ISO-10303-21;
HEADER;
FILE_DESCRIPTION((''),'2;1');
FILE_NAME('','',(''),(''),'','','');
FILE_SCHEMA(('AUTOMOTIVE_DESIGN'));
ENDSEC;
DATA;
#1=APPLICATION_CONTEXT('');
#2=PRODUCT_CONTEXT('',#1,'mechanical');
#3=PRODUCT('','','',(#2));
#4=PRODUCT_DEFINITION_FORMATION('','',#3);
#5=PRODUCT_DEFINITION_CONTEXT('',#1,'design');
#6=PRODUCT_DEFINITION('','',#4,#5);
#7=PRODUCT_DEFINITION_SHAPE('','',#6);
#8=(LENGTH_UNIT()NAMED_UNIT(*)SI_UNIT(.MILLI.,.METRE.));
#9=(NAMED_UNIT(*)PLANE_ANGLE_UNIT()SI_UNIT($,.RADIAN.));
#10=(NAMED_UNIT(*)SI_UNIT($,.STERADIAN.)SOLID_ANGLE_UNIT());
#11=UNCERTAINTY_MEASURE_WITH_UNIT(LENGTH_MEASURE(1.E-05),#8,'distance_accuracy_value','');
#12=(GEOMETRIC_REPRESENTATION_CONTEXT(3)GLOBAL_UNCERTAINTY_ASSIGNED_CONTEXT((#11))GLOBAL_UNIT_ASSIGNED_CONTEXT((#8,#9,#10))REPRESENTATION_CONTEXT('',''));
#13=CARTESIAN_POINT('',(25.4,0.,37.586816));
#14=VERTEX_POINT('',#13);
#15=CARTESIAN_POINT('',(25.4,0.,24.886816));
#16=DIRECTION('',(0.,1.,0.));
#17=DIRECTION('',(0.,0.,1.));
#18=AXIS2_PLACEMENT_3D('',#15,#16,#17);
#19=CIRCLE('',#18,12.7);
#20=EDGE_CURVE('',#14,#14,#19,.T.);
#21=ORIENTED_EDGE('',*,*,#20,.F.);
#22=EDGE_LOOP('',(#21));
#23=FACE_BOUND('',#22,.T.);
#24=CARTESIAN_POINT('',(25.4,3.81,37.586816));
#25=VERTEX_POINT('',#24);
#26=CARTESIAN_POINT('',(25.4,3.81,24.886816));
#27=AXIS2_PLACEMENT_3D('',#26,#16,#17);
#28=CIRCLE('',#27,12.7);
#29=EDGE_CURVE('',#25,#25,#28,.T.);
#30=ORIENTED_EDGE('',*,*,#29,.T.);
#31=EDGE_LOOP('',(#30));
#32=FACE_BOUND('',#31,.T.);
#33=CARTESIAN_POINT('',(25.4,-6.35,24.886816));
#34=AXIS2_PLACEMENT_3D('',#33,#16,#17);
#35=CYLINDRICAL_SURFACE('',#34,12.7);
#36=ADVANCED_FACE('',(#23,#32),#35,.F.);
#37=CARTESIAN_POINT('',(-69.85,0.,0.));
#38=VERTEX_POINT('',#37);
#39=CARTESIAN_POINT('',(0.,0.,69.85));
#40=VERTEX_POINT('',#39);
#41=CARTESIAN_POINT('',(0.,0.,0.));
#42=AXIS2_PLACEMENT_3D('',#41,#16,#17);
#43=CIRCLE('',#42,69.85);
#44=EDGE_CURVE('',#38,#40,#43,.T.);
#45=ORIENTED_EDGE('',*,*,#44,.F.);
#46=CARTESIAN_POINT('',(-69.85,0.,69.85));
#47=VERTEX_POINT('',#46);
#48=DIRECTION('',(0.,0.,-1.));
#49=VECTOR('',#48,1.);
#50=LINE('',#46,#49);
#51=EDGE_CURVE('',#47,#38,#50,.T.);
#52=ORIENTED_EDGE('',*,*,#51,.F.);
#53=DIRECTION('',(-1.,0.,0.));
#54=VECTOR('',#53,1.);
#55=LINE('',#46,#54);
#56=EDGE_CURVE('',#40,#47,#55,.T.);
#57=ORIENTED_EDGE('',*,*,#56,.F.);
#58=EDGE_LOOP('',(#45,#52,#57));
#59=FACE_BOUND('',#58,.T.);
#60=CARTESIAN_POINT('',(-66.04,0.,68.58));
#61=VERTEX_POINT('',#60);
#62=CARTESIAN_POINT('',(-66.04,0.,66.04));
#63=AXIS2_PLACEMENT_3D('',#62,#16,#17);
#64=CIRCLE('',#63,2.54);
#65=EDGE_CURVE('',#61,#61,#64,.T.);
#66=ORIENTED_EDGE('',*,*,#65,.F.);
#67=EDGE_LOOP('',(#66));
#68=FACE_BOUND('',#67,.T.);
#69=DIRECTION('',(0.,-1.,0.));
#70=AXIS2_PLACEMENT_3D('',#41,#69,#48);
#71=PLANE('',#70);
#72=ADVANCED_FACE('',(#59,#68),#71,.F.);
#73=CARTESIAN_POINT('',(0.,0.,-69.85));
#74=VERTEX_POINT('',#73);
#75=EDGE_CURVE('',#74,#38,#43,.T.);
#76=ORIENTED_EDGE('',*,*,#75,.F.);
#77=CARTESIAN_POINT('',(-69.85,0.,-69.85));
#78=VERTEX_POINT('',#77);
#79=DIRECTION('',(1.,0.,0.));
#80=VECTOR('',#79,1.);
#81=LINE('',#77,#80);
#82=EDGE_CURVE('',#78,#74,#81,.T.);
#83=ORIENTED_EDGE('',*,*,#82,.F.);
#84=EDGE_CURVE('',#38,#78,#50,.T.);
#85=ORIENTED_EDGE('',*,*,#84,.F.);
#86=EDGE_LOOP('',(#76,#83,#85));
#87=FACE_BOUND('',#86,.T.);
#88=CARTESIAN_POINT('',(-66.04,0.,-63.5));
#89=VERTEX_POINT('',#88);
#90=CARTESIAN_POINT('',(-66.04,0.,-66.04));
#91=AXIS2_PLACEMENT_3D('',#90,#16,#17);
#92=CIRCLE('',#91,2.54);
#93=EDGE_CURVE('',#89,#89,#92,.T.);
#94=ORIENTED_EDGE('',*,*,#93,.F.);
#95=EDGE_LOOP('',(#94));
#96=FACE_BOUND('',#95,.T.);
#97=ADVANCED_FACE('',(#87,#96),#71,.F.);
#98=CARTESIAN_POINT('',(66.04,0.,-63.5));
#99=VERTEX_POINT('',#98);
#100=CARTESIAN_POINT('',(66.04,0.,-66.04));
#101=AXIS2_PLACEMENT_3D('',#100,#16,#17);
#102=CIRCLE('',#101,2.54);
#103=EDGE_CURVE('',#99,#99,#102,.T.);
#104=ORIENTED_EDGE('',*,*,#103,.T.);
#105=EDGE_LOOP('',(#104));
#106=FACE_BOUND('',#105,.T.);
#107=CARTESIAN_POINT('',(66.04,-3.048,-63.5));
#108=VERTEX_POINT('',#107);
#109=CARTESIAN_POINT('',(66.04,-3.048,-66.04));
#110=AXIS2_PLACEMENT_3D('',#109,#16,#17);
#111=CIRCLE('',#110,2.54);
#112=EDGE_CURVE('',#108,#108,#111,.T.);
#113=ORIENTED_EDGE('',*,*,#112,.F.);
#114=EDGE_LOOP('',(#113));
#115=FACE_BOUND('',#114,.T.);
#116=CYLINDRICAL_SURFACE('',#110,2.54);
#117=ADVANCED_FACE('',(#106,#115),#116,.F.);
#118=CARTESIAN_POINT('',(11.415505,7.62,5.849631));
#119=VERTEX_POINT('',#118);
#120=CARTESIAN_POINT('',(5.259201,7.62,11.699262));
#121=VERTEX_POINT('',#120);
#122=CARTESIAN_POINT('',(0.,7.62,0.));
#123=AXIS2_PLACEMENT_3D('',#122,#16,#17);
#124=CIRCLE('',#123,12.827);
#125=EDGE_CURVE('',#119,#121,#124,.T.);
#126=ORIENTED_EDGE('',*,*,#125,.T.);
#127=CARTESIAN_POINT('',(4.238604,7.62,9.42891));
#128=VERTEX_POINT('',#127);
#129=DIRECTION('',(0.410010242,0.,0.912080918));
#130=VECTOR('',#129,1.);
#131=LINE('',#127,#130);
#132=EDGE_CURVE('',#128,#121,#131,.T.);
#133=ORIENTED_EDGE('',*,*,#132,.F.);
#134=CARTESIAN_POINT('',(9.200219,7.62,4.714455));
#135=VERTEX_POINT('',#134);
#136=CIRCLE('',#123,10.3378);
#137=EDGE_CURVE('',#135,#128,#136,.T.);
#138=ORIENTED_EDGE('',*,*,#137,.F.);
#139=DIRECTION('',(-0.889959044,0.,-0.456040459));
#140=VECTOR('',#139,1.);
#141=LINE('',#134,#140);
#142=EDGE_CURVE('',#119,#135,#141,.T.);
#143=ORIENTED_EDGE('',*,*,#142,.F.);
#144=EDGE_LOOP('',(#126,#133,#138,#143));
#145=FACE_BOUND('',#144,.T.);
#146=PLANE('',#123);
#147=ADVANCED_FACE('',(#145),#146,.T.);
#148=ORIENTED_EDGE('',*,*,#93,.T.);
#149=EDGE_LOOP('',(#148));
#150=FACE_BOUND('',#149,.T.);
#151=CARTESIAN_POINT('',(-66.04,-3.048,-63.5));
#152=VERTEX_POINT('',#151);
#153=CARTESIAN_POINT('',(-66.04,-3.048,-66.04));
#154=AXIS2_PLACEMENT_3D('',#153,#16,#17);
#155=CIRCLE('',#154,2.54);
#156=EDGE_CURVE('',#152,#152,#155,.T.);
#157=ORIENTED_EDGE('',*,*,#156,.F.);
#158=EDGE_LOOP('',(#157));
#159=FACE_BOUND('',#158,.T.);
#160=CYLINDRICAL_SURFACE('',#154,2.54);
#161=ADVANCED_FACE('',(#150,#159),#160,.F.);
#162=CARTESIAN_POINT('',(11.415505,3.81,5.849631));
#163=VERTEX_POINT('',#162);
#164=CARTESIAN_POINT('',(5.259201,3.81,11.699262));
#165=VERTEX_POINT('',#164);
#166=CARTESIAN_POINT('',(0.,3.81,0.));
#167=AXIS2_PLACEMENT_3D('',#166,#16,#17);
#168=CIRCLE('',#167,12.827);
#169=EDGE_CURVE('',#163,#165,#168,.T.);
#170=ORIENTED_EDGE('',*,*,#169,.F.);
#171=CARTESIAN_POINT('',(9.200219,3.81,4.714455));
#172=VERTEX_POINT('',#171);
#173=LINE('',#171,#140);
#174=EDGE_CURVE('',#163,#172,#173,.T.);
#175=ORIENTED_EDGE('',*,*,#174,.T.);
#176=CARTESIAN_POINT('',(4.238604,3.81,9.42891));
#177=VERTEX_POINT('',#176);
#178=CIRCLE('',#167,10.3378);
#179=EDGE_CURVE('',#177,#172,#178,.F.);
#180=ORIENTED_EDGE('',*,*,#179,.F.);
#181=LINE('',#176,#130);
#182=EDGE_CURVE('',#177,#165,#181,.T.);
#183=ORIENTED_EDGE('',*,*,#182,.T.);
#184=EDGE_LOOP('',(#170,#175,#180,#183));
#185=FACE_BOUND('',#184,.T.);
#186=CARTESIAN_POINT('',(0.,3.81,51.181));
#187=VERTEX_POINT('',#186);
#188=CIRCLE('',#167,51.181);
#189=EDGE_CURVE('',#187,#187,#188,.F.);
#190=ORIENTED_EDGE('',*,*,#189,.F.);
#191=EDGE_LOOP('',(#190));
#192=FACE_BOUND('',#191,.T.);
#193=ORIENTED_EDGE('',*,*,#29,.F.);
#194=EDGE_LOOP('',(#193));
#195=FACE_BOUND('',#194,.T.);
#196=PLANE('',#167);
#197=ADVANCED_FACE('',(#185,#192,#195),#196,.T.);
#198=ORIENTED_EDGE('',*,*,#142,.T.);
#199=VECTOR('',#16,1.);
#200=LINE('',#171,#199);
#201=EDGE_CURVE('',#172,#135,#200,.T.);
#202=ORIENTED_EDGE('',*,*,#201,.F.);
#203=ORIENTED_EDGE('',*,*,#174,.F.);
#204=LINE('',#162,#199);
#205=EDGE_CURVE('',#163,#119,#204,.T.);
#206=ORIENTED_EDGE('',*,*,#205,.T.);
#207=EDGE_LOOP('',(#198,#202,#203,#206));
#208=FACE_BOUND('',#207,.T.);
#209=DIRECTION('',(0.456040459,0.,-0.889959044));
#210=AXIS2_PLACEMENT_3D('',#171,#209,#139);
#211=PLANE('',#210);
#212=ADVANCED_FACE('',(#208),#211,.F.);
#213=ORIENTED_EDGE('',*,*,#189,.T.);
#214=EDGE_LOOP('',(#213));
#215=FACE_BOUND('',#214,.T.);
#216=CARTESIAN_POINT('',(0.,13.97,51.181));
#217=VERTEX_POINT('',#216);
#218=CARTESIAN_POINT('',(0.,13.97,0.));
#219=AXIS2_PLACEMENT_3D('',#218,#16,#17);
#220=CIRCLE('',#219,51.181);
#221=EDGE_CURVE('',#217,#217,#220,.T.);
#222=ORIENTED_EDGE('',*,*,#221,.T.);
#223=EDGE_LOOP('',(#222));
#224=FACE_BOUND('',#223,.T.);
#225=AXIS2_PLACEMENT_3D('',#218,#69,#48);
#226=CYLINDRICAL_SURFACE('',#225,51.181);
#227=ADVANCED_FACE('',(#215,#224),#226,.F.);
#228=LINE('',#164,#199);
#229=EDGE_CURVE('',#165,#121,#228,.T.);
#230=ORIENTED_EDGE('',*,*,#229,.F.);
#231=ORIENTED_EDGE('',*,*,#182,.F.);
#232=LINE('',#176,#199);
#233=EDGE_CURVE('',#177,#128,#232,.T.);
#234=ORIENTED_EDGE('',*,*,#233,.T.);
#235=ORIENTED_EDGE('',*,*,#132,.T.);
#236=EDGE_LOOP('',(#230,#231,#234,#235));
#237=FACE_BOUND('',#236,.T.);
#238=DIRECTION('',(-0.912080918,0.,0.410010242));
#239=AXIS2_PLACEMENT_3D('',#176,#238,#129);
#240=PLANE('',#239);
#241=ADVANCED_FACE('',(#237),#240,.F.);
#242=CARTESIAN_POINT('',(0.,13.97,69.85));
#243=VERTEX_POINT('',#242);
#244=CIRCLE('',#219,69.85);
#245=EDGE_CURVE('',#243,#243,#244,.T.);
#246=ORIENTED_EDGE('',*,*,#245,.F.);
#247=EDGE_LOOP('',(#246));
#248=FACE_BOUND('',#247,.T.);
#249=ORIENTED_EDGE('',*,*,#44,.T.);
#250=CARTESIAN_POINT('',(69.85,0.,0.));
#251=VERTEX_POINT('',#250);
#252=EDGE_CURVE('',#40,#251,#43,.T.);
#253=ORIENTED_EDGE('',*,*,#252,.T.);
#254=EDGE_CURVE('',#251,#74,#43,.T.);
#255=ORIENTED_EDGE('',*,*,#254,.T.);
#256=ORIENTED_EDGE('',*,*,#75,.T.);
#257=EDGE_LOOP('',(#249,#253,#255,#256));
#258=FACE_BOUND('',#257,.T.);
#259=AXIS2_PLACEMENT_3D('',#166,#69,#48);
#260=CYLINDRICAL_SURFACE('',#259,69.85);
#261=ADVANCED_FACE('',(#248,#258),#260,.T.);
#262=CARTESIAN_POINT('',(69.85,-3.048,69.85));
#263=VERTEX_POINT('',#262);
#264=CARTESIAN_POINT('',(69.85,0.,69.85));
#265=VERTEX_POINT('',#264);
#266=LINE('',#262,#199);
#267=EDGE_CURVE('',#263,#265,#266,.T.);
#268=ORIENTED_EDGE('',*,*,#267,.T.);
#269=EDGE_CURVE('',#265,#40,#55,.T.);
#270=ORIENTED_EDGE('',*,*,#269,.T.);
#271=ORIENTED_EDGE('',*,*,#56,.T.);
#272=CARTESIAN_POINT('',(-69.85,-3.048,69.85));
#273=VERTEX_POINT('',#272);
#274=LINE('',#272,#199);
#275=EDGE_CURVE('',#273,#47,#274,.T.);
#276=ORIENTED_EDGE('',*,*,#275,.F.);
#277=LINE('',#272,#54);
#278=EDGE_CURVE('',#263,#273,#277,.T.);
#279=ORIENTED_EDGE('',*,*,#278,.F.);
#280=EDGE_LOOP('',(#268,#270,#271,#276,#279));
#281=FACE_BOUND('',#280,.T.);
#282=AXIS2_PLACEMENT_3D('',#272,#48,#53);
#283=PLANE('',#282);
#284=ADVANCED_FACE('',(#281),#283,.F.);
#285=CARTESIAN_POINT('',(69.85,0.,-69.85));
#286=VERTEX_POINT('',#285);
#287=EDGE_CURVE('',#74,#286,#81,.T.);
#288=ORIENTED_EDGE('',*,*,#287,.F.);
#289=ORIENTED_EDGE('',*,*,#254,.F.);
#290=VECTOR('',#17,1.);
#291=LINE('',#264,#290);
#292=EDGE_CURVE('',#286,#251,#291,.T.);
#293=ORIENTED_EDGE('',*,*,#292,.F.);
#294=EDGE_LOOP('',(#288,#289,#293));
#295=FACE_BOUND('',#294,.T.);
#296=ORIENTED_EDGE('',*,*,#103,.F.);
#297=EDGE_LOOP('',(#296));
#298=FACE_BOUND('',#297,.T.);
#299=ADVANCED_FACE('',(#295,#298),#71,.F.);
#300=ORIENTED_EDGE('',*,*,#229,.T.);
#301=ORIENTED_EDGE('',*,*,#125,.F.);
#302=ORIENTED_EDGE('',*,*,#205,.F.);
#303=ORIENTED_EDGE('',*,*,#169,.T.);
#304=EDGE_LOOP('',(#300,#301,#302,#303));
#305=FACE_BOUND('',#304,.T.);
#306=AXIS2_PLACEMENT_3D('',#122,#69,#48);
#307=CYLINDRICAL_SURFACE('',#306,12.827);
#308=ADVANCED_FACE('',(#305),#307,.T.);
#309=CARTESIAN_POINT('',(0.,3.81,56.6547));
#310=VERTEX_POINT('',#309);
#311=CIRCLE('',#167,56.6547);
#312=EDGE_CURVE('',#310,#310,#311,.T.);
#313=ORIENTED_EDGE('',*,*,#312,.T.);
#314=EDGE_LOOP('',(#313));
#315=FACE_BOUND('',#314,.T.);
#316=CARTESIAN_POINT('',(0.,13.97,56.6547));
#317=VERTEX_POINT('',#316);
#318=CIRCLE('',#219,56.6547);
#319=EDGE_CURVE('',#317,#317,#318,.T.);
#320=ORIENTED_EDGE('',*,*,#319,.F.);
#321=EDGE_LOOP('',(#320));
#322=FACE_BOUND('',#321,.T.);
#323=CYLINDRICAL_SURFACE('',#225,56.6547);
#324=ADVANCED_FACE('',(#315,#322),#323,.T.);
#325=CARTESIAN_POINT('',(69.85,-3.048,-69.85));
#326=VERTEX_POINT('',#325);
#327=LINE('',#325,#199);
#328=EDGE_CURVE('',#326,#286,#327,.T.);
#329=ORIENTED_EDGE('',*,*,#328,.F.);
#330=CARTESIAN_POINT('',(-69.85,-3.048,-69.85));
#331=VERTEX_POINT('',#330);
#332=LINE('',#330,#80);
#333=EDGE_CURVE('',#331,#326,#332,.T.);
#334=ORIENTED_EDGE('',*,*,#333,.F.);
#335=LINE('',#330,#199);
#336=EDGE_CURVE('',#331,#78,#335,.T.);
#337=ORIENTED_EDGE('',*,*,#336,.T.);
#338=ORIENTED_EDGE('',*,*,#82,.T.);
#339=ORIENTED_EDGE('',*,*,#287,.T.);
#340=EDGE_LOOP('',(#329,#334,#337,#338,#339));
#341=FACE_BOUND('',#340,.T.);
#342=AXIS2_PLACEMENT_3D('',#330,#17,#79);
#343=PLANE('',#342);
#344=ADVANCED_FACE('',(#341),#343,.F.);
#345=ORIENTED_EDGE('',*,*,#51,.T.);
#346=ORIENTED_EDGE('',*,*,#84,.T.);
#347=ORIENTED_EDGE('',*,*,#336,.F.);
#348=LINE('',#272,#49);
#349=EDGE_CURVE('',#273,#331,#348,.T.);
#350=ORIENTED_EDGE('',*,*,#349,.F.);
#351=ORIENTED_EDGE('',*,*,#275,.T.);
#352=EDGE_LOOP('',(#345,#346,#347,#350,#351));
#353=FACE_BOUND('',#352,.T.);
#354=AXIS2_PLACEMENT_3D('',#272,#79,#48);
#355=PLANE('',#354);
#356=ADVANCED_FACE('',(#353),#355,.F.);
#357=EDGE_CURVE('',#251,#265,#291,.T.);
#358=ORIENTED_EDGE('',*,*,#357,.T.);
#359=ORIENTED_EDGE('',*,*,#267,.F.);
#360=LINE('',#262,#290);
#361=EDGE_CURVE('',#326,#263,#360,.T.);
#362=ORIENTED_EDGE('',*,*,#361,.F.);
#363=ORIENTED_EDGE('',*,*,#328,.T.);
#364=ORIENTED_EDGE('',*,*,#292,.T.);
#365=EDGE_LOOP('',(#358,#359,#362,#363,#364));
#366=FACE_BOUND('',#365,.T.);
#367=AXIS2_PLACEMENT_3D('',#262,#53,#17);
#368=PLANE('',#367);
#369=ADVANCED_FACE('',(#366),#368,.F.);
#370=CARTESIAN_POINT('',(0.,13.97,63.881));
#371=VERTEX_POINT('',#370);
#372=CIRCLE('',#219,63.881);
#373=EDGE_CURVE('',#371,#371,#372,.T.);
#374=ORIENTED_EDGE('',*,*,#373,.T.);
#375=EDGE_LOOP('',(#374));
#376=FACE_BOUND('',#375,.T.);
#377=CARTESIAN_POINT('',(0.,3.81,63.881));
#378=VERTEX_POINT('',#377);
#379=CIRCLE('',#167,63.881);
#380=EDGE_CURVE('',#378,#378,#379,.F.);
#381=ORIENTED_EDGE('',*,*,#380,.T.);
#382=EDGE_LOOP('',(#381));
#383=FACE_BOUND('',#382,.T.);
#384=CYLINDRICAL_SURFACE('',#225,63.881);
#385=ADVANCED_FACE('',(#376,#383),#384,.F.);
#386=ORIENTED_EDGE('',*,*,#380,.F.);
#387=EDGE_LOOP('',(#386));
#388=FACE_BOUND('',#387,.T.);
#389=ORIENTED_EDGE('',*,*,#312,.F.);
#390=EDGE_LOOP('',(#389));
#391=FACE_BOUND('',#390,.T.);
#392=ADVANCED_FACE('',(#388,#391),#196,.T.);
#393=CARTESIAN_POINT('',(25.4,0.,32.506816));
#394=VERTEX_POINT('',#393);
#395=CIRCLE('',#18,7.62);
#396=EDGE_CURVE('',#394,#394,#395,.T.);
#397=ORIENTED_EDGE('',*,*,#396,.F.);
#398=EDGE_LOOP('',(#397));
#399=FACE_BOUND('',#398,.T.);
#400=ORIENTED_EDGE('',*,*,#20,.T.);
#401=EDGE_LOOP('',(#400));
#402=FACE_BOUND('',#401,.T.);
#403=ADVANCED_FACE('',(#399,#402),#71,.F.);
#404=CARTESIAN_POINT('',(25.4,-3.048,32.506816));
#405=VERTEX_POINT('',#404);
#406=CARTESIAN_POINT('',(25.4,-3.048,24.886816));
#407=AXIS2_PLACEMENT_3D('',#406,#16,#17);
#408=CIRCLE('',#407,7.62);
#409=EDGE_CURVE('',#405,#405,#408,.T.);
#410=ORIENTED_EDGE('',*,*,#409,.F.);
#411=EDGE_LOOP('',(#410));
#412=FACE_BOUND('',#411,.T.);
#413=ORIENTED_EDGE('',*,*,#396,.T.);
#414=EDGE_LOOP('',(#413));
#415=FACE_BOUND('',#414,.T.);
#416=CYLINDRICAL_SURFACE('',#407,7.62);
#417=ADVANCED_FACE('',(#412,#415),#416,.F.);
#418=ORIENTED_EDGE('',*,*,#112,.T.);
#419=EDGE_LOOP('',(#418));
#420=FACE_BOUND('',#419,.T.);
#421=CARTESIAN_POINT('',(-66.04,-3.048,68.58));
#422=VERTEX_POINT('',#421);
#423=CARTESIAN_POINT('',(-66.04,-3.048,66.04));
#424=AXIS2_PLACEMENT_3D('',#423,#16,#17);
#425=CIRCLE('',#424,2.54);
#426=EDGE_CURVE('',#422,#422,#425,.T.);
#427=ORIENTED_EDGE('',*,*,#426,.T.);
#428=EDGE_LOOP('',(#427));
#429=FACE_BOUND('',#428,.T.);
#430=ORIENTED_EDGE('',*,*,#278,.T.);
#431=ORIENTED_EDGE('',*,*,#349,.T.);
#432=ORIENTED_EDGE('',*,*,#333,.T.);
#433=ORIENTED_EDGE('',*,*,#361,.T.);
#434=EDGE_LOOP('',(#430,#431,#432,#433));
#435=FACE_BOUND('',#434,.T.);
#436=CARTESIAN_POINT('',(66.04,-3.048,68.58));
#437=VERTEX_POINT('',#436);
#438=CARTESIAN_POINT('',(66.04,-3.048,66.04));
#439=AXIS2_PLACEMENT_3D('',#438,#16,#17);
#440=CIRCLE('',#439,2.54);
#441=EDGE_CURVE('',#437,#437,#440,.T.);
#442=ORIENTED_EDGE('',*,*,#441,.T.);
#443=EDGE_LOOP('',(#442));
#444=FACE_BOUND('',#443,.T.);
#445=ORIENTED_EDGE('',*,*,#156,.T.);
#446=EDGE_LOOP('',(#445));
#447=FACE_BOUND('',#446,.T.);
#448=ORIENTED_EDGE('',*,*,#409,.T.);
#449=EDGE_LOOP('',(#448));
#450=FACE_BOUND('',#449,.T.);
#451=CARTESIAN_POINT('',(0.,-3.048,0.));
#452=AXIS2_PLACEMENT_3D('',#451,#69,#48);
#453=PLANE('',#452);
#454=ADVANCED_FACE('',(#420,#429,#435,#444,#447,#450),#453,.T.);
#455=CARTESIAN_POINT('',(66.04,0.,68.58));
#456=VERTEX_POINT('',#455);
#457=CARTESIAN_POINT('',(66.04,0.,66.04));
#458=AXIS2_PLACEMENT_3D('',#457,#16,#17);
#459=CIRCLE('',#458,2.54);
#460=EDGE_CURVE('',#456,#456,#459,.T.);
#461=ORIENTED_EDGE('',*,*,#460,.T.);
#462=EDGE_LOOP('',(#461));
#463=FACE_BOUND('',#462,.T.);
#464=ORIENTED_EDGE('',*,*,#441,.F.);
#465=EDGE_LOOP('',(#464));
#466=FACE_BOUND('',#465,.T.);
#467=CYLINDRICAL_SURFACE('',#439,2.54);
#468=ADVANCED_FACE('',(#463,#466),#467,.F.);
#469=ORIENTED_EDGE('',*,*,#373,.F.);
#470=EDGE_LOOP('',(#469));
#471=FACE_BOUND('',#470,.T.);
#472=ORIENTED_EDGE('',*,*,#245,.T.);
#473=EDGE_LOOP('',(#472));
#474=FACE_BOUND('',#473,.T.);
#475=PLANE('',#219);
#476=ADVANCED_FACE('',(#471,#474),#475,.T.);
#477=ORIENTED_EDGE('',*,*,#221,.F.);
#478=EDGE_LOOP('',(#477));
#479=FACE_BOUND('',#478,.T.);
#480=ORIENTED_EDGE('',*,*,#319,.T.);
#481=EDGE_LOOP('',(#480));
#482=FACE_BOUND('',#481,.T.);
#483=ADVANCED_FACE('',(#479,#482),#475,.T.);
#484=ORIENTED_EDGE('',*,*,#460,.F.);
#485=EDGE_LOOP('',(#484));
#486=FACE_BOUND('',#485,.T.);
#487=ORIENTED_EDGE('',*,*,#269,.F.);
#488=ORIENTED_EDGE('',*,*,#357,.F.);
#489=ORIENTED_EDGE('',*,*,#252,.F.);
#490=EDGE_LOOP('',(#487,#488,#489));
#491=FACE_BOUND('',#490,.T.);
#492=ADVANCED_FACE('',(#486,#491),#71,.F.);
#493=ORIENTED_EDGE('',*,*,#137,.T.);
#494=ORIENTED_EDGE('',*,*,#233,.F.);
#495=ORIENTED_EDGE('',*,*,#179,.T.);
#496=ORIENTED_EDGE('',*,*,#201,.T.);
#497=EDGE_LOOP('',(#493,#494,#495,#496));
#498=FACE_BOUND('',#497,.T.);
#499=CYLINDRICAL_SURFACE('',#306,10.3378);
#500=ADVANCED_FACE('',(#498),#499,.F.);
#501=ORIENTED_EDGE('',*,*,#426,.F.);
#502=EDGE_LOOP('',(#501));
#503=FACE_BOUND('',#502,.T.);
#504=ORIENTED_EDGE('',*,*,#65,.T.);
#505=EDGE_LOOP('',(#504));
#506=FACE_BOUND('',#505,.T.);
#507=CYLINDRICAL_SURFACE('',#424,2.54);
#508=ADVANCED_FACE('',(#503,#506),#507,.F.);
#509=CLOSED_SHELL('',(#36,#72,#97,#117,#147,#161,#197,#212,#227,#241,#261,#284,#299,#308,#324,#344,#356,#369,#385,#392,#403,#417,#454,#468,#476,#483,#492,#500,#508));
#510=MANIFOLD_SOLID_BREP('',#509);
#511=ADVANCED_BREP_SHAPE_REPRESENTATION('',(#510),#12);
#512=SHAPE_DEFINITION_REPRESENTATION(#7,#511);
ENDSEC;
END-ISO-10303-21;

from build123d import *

# Parameters (mm, degrees)
SKETCH1_R           = 69.85
BOSS_EXTRUDE1_DEPTH = 3.81
SKETCH2_R           = 69.85
SKETCH2_R_2         = 63.881
SKETCH2_R_3         = 56.6547
SKETCH2_R_4         = 51.181
BOSS_EXTRUDE2_DEPTH = 10.16
SKETCH3_R           = 12.827
SKETCH3_R_2         = 10.3378
BOSS_EXTRUDE3_DEPTH = 3.81
CUT_EXTRUDE1_DEPTH  = 3.81
SKETCH5_R           = 12.7
CUT_EXTRUDE2_DEPTH  = 10.16
SKETCH6_W           = 139.7
SKETCH6_H           = 139.7
BOSS_EXTRUDE4_DEPTH = 3.048
SKETCH7_R           = 7.62
SKETCH7_R_2         = 2.54
CUT_EXTRUDE3_DEPTH  = 3.048


with BuildPart() as part:
    # Sketch1 → Boss-Extrude1 (new body)
    with BuildSketch(Plane(origin=(0, 0, 0), x_dir=(1, 0, 0), z_dir=(0, 1, 0))):
        Circle(SKETCH1_R)
    extrude(amount=BOSS_EXTRUDE1_DEPTH)

    # Sketch2 → Boss-Extrude2 (add)
    with BuildSketch(Plane(origin=(0, 3.81, 0), x_dir=(1, 0, 0), z_dir=(0, 1, 0))):
        Circle(SKETCH2_R)
        Circle(SKETCH2_R_2, mode=Mode.SUBTRACT)
        Circle(SKETCH2_R_3)
        Circle(SKETCH2_R_4, mode=Mode.SUBTRACT)
    extrude(amount=BOSS_EXTRUDE2_DEPTH)

    # Sketch3 → Boss-Extrude3 (add)
    with BuildSketch(Plane(origin=(0, 3.81, 0), x_dir=(1, 0, 0), z_dir=(0, 1, 0))):
        Circle(SKETCH3_R)
        Circle(SKETCH3_R_2, mode=Mode.SUBTRACT)
    extrude(amount=BOSS_EXTRUDE3_DEPTH)

    # Sketch4 → Cut-Extrude1 (cut)
    with BuildSketch(Plane(origin=(0, 7.62, 0), x_dir=(1, 0, 0), z_dir=(0, 1, 0))):
        with BuildLine():
            Line((4.238603881, -9.428910116), (5.259201376, -11.699261938))
            ThreePointArc((5.259201376, -11.699261938), (8.835496643, -9.29870572), (11.415504655, -5.849630969))
            Line((11.415504655, -5.849630969), (9.200218603, -4.714455058))
            ThreePointArc((9.200218603, -4.714455058), (7.120885413, -7.494204412), (4.238603881, -9.428910116))
        make_face()
    extrude(amount=-CUT_EXTRUDE1_DEPTH, mode=Mode.SUBTRACT)

    # Sketch5 → Cut-Extrude2 (cut)
    with BuildSketch(Plane(origin=(0, 3.81, 0), x_dir=(1, 0, 0), z_dir=(0, 1, 0))):
        with Locations((25.4, -24.886815787)):
            Circle(SKETCH5_R)
    extrude(amount=-CUT_EXTRUDE2_DEPTH, mode=Mode.SUBTRACT)

    # Sketch6 → Boss-Extrude4 (add)
    with BuildSketch(Plane.XZ):
        Rectangle(SKETCH6_W, SKETCH6_H)
    extrude(amount=BOSS_EXTRUDE4_DEPTH)

    # Sketch7 → Cut-Extrude3 (cut)
    with BuildSketch(Plane(origin=(0, 0, 0), x_dir=(1, 0, 0), z_dir=(0, 1, 0))):
        with Locations((25.4, -24.886815787)):
            Circle(SKETCH7_R)
        with Locations((-66.04, -66.04)):
            Circle(SKETCH7_R_2)
        with Locations((66.04, -66.04)):
            Circle(SKETCH7_R_2)
        with Locations((66.04, 66.04)):
            Circle(SKETCH7_R_2)
        with Locations((-66.04, 66.04)):
            Circle(SKETCH7_R_2)
    extrude(amount=-CUT_EXTRUDE3_DEPTH, mode=Mode.SUBTRACT)


solid = part.part
